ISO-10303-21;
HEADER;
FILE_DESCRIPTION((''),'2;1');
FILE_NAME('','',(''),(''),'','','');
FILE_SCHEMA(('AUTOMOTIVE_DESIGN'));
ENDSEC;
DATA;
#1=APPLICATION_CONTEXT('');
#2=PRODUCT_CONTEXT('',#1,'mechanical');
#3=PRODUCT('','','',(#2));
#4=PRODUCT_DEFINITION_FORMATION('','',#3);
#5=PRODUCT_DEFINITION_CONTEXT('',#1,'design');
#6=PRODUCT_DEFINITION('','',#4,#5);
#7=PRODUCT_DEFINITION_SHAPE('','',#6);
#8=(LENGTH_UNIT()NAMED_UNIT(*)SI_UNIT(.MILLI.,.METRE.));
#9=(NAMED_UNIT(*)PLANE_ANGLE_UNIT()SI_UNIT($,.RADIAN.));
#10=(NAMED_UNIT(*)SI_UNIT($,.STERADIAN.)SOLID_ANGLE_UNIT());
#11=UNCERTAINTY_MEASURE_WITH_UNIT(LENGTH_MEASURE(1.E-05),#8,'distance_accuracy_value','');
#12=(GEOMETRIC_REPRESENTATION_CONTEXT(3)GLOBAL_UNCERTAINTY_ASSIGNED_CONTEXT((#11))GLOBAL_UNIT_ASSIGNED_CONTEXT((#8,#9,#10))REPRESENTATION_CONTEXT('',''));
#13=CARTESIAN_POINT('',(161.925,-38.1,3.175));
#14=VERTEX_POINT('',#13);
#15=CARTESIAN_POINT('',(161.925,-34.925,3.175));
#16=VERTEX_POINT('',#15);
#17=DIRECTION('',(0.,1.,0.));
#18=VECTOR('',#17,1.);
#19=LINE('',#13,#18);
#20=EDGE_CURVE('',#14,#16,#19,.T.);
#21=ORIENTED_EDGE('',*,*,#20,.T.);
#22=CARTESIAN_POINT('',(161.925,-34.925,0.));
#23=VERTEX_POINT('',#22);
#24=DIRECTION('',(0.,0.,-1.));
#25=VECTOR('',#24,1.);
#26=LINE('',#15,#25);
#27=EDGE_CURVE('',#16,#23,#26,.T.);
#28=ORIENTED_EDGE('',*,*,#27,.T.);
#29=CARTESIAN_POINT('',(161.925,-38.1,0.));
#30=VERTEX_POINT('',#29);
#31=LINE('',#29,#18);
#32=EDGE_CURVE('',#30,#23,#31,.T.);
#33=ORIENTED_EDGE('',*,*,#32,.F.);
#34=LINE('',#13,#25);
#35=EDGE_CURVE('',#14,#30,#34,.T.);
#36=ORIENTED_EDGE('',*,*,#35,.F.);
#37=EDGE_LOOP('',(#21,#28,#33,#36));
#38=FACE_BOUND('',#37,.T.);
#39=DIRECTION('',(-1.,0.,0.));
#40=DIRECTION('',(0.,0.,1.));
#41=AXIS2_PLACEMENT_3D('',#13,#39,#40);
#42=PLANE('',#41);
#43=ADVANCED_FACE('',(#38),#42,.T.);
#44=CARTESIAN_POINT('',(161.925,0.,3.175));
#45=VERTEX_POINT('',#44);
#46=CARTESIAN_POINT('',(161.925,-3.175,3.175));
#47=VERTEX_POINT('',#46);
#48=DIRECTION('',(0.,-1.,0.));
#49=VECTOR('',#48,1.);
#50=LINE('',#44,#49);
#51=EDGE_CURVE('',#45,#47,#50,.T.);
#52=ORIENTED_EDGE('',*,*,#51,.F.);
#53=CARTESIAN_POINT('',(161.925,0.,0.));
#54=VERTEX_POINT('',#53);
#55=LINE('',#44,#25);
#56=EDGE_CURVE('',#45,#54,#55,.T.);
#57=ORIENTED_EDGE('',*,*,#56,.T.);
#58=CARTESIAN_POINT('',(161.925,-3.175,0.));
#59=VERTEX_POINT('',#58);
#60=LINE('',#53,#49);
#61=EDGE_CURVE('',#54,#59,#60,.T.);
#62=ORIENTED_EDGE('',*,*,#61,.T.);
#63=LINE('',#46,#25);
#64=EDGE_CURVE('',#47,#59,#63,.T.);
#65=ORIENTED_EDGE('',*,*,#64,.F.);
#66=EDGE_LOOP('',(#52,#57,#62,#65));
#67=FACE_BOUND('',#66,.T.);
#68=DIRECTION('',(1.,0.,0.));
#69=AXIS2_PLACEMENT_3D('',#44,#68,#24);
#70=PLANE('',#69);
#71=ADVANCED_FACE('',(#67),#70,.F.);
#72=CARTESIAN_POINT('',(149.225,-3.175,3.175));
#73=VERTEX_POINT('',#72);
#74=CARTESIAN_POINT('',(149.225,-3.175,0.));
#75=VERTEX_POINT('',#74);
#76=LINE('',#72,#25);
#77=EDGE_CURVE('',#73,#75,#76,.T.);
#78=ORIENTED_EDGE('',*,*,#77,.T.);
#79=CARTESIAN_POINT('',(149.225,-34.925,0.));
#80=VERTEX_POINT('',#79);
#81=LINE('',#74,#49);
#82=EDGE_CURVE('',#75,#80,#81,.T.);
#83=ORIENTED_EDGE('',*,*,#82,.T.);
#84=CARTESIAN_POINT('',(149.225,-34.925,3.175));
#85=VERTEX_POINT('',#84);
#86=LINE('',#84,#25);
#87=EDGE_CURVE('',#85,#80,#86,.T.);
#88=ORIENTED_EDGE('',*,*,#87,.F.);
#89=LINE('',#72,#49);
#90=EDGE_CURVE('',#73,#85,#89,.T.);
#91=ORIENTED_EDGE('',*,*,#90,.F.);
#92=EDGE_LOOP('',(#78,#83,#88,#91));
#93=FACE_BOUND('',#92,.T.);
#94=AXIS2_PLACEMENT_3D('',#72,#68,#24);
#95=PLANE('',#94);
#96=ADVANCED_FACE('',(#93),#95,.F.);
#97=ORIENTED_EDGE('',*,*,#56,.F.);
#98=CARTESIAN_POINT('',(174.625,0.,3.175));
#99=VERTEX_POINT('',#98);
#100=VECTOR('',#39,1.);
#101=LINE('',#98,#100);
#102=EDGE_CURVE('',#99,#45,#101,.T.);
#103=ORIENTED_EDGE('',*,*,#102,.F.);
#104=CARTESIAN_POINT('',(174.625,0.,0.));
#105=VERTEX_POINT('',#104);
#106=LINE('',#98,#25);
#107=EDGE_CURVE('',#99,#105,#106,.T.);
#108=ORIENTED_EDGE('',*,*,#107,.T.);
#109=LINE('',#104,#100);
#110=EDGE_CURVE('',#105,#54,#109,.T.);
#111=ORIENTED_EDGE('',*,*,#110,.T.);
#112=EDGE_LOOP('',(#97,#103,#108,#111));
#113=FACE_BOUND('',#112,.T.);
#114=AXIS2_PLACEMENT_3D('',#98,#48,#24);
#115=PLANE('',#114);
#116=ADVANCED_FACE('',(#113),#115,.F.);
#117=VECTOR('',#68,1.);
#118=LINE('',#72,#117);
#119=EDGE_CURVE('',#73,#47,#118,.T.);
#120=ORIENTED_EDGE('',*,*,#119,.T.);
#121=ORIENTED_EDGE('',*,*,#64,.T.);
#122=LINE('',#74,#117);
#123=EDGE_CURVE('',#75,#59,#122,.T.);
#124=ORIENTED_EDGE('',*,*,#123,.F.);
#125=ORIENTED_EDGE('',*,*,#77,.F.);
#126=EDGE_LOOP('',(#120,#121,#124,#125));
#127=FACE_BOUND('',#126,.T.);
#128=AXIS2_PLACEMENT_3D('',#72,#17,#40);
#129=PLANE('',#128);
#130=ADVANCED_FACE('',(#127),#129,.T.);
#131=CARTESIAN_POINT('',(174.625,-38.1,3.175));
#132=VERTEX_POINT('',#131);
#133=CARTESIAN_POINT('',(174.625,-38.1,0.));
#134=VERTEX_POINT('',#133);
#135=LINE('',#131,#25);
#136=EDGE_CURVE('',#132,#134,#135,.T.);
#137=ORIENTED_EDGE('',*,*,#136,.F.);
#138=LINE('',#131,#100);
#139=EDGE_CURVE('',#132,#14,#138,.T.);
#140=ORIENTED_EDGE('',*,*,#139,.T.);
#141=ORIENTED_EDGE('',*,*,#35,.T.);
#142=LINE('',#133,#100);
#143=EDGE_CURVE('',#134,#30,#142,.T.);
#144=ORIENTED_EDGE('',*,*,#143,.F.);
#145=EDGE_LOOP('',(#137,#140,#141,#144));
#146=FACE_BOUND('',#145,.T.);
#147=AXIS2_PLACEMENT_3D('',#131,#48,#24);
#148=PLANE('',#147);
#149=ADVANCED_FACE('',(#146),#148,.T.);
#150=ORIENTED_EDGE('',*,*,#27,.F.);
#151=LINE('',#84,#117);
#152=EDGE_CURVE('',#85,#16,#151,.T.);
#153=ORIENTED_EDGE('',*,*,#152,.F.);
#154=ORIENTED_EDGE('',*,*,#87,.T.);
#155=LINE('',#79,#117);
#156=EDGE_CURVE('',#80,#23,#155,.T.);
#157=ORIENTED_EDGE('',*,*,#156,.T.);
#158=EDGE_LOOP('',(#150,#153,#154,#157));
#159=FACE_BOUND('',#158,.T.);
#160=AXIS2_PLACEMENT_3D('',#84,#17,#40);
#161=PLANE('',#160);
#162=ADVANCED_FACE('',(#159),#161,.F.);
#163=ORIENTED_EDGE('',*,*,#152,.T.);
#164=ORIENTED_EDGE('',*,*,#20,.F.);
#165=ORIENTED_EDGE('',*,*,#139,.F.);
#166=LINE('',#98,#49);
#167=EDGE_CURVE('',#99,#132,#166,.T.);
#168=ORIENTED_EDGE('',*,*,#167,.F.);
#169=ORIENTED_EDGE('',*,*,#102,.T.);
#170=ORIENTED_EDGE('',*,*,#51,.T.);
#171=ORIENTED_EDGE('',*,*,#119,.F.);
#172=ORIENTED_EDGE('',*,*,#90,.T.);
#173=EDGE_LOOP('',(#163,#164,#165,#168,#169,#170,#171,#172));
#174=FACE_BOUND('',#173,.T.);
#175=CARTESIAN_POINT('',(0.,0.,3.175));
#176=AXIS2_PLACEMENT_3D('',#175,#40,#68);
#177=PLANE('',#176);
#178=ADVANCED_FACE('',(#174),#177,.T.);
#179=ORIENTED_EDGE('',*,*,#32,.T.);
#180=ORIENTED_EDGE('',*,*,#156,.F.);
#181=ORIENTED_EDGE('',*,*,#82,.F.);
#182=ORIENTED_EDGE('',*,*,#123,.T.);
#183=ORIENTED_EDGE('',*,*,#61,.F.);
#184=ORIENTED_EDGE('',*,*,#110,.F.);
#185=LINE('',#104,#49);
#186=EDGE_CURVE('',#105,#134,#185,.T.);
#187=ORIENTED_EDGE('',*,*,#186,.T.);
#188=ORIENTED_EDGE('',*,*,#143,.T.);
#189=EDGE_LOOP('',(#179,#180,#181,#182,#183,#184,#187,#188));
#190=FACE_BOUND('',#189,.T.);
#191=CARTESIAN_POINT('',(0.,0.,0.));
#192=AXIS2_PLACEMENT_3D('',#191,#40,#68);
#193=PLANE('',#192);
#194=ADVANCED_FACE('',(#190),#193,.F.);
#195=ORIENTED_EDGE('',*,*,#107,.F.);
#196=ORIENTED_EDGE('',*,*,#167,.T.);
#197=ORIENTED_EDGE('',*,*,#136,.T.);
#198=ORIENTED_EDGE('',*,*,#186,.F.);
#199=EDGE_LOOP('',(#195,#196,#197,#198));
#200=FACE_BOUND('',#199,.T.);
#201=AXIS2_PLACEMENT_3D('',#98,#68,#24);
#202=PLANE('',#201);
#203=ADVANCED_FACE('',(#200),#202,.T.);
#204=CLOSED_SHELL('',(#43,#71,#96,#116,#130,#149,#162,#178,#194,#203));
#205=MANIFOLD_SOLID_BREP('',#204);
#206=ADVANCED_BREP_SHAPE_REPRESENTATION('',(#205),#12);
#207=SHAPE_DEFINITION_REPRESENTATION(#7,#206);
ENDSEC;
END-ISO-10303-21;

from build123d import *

# Parameters (mm, degrees)
BOSS_EXTRUDE1_DEPTH = 3.175


with BuildPart() as part:
    # Sketch1 → Boss-Extrude1 (new body)
    with BuildSketch(Plane.XY):
        Polygon((174.625, 0), (161.925, 0), (161.925, -3.175), (149.225, -3.175), (149.225, -34.925), (161.925, -34.925), (161.925, -38.1), (174.625, -38.1), align=None)
    extrude(amount=BOSS_EXTRUDE1_DEPTH)


solid = part.part
